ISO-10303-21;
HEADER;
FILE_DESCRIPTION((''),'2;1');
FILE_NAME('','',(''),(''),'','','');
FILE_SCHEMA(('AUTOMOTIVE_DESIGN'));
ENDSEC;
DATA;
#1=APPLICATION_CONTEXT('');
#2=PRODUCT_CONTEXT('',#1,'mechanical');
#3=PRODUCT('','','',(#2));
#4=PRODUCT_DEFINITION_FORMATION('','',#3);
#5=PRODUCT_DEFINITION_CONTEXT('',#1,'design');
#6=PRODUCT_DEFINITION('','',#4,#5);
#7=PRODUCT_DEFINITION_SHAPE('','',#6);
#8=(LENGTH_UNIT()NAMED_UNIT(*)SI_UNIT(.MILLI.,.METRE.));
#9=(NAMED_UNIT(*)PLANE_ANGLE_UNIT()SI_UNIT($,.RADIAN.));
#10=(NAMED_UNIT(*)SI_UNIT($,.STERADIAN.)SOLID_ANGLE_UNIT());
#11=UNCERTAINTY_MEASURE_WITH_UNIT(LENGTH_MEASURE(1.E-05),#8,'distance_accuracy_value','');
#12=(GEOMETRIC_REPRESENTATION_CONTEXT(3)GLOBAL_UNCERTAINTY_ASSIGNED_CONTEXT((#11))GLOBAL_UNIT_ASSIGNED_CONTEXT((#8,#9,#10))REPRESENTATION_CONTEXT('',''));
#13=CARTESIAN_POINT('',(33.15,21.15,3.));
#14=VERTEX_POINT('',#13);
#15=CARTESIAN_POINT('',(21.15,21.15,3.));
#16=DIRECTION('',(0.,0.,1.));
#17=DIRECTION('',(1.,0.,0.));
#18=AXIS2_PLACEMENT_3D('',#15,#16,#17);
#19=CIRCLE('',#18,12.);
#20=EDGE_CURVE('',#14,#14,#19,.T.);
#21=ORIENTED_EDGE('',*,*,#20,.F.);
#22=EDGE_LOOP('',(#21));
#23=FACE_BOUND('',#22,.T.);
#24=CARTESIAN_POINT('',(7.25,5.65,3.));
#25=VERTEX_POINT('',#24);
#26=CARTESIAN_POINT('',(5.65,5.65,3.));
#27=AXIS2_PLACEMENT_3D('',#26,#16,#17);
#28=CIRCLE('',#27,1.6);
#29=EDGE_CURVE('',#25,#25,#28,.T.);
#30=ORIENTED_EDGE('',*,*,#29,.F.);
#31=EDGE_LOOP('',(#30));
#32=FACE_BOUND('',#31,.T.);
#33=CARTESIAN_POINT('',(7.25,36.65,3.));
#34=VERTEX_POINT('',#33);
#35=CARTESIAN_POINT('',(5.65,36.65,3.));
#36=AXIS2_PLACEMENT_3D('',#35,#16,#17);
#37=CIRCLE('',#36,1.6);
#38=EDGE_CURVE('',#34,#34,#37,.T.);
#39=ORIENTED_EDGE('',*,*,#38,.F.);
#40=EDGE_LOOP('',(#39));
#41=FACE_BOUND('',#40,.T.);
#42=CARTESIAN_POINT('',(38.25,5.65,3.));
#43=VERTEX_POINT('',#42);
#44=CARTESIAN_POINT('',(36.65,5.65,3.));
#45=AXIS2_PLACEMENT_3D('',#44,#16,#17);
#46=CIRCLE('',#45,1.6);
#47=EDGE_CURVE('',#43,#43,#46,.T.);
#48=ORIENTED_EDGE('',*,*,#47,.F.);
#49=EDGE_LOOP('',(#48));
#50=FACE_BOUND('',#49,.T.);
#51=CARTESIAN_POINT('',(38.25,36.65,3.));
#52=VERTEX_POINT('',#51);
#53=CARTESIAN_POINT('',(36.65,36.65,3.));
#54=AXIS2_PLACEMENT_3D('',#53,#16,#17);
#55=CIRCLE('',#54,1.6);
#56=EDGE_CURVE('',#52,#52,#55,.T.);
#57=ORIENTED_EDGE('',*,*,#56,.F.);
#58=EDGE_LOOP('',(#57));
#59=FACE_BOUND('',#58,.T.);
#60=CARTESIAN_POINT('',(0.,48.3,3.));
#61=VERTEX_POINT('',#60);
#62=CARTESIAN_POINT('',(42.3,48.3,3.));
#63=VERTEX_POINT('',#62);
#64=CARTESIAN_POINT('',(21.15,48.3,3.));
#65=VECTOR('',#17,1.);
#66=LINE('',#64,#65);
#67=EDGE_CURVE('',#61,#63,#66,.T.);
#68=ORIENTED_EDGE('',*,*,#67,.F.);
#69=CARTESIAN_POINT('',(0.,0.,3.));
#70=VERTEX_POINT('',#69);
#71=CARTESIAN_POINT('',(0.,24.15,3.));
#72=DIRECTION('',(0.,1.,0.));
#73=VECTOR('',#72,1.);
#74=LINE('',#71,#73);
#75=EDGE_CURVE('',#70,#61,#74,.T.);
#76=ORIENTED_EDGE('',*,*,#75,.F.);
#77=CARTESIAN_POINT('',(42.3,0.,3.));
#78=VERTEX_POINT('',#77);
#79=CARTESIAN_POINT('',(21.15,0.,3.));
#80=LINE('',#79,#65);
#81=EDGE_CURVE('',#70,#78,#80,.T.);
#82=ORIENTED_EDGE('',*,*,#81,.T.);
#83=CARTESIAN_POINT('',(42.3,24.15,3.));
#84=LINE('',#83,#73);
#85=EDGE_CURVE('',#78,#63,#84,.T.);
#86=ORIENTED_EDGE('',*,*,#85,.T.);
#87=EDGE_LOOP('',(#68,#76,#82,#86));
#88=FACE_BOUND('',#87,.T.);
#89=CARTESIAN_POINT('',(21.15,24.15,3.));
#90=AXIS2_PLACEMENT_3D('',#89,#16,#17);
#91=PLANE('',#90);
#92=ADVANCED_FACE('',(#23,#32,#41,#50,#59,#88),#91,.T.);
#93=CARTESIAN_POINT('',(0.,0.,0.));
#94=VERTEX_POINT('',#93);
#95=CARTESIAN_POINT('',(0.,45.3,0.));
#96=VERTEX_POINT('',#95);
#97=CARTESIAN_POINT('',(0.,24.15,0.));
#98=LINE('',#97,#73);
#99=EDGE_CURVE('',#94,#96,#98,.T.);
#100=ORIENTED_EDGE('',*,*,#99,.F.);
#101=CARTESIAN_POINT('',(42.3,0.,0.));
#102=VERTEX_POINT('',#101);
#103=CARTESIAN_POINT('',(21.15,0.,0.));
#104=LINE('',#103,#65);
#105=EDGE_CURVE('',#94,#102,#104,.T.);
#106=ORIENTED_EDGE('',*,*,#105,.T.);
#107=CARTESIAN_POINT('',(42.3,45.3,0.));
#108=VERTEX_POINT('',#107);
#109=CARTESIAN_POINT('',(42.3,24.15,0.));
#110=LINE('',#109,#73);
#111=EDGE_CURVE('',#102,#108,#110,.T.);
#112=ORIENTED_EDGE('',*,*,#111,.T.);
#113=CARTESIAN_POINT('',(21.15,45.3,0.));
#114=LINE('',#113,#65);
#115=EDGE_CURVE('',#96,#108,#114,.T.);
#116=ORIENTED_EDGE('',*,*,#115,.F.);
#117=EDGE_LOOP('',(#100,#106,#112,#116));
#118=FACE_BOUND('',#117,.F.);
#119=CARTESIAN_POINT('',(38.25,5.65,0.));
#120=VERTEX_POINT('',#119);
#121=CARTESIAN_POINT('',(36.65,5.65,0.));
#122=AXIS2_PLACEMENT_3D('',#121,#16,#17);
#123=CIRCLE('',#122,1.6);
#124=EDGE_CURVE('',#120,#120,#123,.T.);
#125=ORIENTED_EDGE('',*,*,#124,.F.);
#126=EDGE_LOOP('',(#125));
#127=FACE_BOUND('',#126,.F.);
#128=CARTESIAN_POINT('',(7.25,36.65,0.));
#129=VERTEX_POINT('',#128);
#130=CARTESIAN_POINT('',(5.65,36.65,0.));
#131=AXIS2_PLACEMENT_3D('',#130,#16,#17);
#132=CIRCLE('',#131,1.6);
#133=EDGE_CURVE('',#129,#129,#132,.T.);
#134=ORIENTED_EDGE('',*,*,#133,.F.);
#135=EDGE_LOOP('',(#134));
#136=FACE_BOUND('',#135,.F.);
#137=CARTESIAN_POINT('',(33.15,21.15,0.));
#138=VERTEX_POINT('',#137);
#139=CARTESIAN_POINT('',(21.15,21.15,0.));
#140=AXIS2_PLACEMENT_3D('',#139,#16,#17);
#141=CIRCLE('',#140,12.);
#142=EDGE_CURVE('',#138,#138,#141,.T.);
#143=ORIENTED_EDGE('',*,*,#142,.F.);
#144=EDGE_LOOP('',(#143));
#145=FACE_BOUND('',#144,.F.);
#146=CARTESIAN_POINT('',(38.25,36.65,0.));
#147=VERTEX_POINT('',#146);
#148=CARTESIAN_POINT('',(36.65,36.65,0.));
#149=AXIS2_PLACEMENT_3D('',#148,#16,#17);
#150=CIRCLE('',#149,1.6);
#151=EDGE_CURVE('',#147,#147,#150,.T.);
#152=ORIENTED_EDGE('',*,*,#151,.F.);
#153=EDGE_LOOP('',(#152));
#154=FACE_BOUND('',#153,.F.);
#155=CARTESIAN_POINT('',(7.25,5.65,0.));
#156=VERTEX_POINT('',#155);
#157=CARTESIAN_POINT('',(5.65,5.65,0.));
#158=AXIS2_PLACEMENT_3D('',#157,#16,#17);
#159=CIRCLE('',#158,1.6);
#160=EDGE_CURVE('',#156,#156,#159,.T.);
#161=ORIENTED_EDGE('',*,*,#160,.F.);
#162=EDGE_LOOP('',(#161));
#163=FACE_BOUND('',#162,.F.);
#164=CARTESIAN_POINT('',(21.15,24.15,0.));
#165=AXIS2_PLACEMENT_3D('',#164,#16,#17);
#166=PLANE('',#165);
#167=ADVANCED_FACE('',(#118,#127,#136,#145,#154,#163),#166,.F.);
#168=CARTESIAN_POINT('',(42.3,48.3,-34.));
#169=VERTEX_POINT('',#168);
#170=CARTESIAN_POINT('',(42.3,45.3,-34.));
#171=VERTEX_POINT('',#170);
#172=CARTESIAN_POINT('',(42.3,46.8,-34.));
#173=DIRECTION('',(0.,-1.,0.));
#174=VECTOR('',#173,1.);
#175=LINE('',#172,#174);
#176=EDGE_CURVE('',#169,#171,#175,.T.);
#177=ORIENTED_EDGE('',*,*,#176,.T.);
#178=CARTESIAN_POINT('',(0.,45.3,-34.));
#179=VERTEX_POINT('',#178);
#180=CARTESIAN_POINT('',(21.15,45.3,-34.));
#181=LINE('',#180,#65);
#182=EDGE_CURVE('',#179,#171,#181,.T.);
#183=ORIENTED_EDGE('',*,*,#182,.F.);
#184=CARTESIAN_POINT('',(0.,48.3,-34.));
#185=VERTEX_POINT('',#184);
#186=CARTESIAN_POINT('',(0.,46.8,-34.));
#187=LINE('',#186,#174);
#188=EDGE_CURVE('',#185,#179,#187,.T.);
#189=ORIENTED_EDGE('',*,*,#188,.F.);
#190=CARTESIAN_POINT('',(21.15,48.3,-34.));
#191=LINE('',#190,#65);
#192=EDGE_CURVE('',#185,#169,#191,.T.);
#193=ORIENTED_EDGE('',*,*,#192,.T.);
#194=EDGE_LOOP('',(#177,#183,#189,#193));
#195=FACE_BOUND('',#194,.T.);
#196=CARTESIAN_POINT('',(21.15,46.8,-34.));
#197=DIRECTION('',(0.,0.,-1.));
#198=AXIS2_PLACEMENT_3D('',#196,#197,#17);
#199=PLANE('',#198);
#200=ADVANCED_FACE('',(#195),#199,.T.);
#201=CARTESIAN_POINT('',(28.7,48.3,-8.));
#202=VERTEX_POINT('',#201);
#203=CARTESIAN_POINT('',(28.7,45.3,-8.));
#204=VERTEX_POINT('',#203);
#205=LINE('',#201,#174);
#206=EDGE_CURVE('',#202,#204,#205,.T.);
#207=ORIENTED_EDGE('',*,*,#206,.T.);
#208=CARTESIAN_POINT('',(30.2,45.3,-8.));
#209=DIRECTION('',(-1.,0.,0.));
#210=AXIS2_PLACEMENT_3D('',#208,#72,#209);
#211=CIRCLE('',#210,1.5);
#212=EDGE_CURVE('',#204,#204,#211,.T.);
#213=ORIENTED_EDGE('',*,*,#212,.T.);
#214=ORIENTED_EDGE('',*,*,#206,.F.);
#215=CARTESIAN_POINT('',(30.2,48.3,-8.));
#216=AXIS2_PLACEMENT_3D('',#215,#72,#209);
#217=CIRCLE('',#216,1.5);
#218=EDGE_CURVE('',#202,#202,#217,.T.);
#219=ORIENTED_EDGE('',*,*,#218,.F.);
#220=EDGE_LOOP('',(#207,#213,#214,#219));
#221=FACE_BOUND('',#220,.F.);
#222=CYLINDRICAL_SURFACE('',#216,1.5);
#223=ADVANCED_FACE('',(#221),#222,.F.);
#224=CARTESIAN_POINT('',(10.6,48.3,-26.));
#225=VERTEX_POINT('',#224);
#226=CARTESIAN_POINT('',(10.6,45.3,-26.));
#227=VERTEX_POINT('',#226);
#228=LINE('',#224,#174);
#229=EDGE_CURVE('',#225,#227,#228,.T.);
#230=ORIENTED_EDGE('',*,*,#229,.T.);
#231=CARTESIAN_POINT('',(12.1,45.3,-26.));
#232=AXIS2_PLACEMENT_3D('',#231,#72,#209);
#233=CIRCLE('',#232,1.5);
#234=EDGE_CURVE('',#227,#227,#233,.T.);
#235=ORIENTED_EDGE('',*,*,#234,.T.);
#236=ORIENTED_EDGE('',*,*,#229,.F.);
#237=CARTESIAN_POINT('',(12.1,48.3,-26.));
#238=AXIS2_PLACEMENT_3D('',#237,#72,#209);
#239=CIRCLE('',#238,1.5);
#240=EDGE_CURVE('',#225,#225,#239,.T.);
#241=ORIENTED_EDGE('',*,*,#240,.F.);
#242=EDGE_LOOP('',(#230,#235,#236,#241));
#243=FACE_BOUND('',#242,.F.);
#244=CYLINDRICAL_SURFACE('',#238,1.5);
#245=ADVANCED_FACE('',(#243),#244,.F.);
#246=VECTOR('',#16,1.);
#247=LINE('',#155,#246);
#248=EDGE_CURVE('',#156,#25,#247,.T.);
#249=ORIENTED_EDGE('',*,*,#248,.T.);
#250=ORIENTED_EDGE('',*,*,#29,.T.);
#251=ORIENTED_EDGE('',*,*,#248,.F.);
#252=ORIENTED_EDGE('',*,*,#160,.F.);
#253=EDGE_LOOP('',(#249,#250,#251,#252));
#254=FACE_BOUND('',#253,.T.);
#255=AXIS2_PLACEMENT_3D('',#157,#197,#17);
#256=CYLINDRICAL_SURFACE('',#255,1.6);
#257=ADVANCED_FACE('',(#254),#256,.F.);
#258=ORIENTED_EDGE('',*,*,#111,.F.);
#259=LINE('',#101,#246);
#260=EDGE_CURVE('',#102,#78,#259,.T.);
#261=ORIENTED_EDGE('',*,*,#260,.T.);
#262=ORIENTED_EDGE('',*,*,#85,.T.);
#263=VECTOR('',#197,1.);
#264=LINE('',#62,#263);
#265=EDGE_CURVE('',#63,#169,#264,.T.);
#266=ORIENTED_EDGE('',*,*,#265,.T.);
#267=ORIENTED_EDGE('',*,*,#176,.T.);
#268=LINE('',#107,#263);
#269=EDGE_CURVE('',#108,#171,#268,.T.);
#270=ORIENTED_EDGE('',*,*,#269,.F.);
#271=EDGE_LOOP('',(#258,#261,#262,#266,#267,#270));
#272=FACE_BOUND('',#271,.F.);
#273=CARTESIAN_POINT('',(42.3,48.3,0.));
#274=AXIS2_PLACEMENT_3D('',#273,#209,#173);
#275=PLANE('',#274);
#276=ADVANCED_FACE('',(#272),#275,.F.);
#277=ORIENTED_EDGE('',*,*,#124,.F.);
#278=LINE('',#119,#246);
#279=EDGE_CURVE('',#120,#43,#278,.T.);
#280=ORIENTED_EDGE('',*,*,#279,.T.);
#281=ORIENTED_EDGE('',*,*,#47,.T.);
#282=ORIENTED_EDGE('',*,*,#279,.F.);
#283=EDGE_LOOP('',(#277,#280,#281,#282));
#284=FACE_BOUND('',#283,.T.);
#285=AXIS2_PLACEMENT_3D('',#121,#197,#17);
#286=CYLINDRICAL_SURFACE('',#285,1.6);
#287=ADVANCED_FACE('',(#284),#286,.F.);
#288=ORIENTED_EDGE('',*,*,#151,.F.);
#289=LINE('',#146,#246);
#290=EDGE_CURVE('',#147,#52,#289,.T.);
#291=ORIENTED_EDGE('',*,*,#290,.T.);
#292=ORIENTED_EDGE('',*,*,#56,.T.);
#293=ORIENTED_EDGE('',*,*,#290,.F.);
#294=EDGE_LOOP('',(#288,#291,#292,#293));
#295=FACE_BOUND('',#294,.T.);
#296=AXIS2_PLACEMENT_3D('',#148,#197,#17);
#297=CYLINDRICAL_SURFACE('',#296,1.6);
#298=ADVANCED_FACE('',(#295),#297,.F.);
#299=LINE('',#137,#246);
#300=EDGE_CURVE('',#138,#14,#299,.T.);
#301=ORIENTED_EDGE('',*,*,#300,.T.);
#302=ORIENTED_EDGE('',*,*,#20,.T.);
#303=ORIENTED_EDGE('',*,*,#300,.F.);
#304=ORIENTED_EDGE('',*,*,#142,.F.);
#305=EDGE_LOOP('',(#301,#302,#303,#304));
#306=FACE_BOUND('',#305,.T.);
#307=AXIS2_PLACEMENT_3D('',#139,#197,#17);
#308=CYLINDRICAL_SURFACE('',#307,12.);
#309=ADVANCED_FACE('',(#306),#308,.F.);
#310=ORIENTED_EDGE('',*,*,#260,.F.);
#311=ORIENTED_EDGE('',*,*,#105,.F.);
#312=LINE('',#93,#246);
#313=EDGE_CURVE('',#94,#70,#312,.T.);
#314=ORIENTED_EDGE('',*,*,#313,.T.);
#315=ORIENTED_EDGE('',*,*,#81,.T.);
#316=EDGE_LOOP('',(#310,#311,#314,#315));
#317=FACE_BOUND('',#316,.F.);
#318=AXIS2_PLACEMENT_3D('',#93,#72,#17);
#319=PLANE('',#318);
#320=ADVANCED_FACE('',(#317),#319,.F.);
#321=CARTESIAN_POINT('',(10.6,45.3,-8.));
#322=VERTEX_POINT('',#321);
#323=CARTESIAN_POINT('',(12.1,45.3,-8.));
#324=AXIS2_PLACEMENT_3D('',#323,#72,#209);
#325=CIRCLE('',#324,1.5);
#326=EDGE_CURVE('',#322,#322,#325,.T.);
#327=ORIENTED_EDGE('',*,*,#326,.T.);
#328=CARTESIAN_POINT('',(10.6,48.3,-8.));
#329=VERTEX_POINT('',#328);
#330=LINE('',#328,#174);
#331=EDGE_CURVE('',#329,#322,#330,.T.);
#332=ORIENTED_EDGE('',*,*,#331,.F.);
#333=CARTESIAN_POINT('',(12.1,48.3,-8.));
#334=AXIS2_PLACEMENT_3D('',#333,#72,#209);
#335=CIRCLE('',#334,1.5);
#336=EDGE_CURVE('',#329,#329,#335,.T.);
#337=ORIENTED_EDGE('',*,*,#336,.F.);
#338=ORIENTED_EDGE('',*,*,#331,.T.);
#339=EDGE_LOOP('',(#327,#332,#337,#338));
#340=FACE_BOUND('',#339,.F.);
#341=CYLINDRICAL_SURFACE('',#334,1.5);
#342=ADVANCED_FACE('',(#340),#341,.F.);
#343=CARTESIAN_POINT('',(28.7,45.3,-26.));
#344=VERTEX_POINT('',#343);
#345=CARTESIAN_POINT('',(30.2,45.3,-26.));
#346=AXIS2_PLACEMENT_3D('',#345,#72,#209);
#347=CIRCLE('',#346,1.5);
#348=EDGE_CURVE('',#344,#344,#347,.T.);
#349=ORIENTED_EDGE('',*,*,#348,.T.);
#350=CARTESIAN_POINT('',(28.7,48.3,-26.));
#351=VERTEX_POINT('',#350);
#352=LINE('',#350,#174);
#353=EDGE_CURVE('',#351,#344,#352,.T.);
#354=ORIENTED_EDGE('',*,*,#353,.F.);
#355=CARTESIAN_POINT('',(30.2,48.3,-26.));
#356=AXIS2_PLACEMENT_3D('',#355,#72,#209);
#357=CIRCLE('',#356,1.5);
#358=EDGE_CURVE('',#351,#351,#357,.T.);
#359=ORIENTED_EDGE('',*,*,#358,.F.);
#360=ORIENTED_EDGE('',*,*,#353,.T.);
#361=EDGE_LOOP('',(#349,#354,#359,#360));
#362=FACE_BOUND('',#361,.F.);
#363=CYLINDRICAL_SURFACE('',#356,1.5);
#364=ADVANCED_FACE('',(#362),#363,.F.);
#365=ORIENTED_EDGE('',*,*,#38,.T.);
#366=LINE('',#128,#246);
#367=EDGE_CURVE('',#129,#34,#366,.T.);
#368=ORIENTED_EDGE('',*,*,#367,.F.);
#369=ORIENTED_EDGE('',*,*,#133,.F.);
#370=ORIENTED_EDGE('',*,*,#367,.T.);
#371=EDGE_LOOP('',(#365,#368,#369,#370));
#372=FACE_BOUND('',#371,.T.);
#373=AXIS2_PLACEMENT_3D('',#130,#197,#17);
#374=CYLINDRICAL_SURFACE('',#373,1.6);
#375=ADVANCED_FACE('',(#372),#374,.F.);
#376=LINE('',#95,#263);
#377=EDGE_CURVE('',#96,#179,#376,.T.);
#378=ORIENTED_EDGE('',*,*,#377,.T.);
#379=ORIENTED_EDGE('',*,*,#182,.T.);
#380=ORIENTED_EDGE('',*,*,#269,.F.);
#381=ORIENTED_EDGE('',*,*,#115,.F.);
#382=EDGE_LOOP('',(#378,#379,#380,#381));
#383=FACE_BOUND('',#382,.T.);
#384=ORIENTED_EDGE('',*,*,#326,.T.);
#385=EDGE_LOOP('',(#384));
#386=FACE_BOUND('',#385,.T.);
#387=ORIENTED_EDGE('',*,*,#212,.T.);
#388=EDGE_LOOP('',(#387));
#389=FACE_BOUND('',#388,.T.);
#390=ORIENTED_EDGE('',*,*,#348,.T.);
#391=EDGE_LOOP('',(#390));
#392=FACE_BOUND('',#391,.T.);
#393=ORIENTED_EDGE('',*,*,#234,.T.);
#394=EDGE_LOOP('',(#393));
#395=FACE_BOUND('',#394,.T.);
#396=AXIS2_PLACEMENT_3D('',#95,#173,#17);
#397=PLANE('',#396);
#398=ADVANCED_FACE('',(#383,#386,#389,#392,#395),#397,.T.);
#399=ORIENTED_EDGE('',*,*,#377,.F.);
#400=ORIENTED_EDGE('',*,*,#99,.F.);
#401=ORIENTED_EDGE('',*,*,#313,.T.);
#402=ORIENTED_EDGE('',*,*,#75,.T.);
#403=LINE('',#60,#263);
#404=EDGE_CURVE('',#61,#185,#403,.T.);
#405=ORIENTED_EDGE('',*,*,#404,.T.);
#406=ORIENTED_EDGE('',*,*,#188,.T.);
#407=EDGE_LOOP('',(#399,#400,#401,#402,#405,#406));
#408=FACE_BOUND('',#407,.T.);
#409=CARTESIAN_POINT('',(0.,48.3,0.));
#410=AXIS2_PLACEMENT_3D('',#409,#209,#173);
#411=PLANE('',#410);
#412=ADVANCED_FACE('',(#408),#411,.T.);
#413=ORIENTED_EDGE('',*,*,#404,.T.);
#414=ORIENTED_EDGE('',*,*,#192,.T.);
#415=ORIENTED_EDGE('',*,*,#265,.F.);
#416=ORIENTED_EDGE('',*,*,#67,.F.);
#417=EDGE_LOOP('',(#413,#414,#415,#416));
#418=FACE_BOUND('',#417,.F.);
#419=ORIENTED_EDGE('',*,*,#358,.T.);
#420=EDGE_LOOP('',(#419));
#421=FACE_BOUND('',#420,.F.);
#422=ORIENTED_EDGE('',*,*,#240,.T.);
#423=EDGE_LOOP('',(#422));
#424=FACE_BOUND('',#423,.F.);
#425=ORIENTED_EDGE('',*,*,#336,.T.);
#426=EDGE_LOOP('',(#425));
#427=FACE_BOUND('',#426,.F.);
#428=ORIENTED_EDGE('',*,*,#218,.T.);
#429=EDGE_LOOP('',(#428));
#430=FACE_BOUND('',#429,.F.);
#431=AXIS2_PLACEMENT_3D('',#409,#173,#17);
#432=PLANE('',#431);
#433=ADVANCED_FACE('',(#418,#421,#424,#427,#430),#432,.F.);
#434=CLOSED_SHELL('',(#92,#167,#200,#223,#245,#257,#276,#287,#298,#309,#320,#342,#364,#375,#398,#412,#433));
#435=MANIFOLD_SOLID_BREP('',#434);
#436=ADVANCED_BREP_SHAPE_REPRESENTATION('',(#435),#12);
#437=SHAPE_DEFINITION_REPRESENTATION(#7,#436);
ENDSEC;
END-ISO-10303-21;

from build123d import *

# Parameters (mm, degrees)
SKETCH_W     = 42.3
SKETCH_H     = 48.3
SKETCH_R     = 1.6
SKETCH_R_2   = 12
PAD_DEPTH    = 3
SKETCH001_W  = 42.3
SKETCH001_H  = 3
PAD001_DEPTH = 34
SKETCH002_R  = 1.5
POCKET_DEPTH = 48.301


with BuildPart() as part:
    # Sketch → Pad (new body)
    with BuildSketch(Plane.XY):
        with Locations((21.15, 24.15)):
            Rectangle(SKETCH_W, SKETCH_H)
        with Locations((5.65, 36.65)):
            Circle(SKETCH_R, mode=Mode.SUBTRACT)
        with Locations((36.65, 36.65)):
            Circle(SKETCH_R, mode=Mode.SUBTRACT)
        with Locations((5.65, 5.65)):
            Circle(SKETCH_R, mode=Mode.SUBTRACT)
        with Locations((36.65, 5.65)):
            Circle(SKETCH_R, mode=Mode.SUBTRACT)
        with Locations((21.15, 21.15)):
            Circle(SKETCH_R_2, mode=Mode.SUBTRACT)
    extrude(amount=PAD_DEPTH)

    # Sketch001 → Pad001 (new body)
    with BuildSketch(Plane(origin=(0, 0, 0), x_dir=(1, 0, 0), z_dir=(0, 0, -1))):
        with Locations((21.15, -46.8)):
            Rectangle(SKETCH001_W, SKETCH001_H)
    extrude(amount=PAD001_DEPTH)

    # Sketch002 → Pocket (cut, through all)
    with BuildSketch(Plane(origin=(0, 48.3, 0), x_dir=(-1, 0, 0), z_dir=(0, 1, 0))):
        with Locations((-30.2, -8)):
            Circle(SKETCH002_R)
        with Locations((-12.1, -8)):
            Circle(SKETCH002_R)
        with Locations((-30.2, -26)):
            Circle(SKETCH002_R)
        with Locations((-12.1, -26)):
            Circle(SKETCH002_R)
    extrude(amount=-POCKET_DEPTH, mode=Mode.SUBTRACT)


solid = part.part
